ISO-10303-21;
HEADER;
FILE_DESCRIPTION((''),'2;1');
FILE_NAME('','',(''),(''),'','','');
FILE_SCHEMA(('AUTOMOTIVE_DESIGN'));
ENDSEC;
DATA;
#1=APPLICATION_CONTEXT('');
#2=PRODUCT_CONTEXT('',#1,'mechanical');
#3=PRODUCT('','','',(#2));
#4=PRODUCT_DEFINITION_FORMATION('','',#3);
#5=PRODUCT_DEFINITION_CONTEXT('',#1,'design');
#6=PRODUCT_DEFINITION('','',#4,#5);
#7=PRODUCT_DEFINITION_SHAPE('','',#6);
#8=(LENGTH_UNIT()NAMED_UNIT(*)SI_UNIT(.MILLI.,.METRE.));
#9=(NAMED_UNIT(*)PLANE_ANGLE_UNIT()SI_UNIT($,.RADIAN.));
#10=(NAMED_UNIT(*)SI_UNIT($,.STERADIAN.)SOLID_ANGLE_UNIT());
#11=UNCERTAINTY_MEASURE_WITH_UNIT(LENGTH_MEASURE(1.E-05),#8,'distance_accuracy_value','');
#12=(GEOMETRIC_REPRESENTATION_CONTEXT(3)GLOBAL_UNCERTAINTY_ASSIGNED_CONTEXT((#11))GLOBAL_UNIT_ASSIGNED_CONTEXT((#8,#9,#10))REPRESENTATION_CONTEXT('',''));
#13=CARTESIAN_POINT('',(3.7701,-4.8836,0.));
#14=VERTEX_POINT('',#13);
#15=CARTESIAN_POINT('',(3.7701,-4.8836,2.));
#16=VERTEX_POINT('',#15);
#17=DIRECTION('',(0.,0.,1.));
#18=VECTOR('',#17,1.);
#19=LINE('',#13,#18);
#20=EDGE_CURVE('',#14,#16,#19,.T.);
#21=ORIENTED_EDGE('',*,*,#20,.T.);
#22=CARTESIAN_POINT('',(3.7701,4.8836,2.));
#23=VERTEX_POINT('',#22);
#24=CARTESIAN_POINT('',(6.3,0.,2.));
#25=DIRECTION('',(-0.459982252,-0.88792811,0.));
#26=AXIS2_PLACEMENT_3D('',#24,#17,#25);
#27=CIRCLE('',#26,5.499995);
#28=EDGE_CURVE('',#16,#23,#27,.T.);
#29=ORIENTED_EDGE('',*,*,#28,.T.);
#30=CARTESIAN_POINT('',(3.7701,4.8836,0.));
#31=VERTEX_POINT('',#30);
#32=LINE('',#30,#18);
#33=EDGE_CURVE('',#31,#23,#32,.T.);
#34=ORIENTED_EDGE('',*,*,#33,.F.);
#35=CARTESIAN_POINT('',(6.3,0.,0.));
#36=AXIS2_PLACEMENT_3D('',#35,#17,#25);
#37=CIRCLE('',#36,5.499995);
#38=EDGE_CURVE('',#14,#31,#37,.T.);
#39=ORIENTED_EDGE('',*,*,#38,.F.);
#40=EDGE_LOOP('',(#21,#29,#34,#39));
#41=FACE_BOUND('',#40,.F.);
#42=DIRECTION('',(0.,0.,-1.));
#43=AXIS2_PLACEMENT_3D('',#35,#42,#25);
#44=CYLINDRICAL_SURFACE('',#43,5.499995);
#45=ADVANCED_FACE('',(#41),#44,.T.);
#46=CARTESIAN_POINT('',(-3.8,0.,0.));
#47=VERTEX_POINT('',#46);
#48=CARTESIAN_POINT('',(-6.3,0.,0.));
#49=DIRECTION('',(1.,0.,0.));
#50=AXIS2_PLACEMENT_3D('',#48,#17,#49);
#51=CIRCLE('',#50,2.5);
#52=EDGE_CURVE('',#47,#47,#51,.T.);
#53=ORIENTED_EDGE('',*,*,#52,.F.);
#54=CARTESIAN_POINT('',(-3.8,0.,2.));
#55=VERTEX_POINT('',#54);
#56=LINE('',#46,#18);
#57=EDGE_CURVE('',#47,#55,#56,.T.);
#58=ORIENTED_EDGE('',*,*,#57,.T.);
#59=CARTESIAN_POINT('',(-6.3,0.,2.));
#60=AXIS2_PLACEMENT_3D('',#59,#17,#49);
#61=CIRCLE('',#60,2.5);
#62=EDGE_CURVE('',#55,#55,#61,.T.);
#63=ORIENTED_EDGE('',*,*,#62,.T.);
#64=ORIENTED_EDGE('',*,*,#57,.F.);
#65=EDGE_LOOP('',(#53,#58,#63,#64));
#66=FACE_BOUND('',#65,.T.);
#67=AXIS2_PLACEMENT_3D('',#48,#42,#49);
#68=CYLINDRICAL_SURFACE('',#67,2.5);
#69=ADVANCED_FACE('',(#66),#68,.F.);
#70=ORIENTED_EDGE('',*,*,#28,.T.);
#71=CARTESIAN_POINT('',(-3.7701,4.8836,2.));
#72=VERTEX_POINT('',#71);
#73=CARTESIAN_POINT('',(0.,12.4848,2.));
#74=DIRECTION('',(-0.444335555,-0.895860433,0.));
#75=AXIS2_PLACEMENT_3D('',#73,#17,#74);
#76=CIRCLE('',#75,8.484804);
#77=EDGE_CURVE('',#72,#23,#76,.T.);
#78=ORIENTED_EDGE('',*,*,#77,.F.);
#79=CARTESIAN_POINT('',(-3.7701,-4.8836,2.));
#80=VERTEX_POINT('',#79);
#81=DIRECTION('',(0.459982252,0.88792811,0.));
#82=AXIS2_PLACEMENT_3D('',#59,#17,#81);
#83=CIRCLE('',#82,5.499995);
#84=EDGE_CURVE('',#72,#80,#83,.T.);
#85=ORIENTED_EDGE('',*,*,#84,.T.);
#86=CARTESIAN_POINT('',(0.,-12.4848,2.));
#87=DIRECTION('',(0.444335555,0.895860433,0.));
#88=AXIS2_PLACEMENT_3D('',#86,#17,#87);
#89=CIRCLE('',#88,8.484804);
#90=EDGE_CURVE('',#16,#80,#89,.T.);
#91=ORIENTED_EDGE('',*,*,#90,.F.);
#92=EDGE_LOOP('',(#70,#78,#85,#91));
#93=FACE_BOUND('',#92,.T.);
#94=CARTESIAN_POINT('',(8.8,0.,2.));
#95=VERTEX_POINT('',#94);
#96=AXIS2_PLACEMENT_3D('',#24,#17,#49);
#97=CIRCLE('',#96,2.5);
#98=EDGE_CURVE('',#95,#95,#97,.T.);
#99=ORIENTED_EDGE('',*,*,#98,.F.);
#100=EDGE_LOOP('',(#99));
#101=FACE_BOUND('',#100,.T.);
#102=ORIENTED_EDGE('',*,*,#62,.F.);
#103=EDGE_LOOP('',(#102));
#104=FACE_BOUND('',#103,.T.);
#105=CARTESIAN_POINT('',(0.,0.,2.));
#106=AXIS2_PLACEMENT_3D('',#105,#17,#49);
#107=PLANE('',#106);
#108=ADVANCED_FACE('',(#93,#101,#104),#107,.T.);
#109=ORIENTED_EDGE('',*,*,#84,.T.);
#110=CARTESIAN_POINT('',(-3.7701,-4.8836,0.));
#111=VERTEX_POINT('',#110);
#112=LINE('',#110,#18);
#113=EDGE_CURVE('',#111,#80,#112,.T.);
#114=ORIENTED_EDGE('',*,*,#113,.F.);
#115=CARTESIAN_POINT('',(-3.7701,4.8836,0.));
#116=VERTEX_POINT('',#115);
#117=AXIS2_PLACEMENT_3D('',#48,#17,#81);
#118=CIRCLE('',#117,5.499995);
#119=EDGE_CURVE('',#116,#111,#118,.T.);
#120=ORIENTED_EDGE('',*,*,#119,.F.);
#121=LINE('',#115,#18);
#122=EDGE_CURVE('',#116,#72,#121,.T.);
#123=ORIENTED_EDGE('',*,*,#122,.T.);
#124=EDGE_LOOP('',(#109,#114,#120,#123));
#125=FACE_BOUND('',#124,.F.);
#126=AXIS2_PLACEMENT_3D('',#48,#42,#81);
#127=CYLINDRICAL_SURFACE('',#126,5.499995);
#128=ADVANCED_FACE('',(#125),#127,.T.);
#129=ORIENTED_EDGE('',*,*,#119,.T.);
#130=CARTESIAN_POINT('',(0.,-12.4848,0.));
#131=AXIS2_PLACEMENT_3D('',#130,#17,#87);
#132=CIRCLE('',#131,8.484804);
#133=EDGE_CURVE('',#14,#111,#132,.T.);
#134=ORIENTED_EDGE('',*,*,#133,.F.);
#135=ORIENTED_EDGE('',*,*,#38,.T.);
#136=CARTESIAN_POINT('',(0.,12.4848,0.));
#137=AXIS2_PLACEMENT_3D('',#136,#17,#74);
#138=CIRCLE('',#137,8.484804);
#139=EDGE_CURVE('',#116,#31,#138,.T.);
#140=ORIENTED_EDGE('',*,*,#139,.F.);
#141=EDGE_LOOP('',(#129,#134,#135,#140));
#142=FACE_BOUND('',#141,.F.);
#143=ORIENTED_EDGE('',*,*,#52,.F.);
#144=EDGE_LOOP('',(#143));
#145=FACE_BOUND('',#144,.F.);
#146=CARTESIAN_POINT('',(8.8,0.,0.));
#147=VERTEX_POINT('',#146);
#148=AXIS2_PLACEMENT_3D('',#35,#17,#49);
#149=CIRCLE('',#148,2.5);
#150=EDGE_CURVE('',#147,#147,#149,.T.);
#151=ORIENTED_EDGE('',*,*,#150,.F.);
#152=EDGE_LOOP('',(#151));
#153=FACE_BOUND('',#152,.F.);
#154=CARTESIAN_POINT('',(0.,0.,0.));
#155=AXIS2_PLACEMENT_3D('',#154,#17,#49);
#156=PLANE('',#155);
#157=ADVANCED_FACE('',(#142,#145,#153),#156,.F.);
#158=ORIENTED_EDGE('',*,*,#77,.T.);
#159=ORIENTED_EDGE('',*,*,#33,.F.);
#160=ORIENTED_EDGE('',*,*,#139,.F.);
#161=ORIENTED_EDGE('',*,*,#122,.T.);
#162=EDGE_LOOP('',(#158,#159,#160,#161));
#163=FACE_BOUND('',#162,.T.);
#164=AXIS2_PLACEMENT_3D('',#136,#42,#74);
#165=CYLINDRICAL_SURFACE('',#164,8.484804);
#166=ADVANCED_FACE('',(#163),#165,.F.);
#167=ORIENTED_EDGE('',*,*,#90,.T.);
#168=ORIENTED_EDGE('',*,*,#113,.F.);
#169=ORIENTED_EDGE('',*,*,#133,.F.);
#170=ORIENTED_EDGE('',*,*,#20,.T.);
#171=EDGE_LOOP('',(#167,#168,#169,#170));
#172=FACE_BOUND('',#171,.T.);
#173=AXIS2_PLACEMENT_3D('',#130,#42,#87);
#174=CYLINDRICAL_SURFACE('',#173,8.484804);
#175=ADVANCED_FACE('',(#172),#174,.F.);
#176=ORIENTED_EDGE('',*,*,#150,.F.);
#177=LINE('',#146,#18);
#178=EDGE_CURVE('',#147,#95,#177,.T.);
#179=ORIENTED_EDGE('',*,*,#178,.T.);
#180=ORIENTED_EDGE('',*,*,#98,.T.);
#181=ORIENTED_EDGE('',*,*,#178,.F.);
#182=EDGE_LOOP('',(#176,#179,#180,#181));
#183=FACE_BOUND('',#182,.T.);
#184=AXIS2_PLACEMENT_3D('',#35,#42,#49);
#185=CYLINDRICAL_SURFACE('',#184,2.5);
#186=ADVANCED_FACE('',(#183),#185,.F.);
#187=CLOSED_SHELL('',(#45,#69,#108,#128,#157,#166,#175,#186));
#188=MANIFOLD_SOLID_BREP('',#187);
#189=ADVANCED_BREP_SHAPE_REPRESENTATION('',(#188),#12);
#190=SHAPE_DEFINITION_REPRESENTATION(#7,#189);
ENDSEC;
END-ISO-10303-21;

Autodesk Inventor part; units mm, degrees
ref_plane "YZ Plane" through (0, 0, 0) normal (1, 0, 0) x (0, 1, 0)
ref_plane "XZ Plane" through (0, 0, 0) normal (0, 1, 0) x (-1, 0, 0)
ref_plane "XY Plane" through (0, 0, 0) normal (0, 0, 1) x (1, 0, 0)
sketch "Sketch1" plane through (0, 0, 0) normal (0, 0, 1) x (1, 0, 0)
  line L0 (-6.3, 0) -> (6.3, 0) construction
  circle A0 centre (-6.3, 0) radius 2.5
  circle A1 centre (6.3, 0) radius 2.5
  arc A2 (-3.7701, 4.8836) -> (-3.7701, -4.8836) centre (-6.3, 0) ccw
  arc A3 (3.7701, -4.8836) -> (3.7701, 4.8836) centre (6.3, 0) ccw
  line L1 (0, 0) -> (0, 4) construction
  line L2 (0, 0) -> (0, -4) construction
  arc A4 (-3.7701, 4.8836) -> (3.7701, 4.8836) centre (0, 12.4848) ccw
  arc A5 (3.7701, -4.8836) -> (-3.7701, -4.8836) centre (0, -12.4848) ccw
  dimension "d0" = 12.6
  dimension "d1" = 5
  dimension "d2" = 5
  dimension "d3" = 11
  dimension "d4" = 11
  dimension "d5" = 4
  dimension "d6" = 4
extrude "Extrusion1" add sketch "Sketch1" along normal blind 2
properties part number "Concha2"
